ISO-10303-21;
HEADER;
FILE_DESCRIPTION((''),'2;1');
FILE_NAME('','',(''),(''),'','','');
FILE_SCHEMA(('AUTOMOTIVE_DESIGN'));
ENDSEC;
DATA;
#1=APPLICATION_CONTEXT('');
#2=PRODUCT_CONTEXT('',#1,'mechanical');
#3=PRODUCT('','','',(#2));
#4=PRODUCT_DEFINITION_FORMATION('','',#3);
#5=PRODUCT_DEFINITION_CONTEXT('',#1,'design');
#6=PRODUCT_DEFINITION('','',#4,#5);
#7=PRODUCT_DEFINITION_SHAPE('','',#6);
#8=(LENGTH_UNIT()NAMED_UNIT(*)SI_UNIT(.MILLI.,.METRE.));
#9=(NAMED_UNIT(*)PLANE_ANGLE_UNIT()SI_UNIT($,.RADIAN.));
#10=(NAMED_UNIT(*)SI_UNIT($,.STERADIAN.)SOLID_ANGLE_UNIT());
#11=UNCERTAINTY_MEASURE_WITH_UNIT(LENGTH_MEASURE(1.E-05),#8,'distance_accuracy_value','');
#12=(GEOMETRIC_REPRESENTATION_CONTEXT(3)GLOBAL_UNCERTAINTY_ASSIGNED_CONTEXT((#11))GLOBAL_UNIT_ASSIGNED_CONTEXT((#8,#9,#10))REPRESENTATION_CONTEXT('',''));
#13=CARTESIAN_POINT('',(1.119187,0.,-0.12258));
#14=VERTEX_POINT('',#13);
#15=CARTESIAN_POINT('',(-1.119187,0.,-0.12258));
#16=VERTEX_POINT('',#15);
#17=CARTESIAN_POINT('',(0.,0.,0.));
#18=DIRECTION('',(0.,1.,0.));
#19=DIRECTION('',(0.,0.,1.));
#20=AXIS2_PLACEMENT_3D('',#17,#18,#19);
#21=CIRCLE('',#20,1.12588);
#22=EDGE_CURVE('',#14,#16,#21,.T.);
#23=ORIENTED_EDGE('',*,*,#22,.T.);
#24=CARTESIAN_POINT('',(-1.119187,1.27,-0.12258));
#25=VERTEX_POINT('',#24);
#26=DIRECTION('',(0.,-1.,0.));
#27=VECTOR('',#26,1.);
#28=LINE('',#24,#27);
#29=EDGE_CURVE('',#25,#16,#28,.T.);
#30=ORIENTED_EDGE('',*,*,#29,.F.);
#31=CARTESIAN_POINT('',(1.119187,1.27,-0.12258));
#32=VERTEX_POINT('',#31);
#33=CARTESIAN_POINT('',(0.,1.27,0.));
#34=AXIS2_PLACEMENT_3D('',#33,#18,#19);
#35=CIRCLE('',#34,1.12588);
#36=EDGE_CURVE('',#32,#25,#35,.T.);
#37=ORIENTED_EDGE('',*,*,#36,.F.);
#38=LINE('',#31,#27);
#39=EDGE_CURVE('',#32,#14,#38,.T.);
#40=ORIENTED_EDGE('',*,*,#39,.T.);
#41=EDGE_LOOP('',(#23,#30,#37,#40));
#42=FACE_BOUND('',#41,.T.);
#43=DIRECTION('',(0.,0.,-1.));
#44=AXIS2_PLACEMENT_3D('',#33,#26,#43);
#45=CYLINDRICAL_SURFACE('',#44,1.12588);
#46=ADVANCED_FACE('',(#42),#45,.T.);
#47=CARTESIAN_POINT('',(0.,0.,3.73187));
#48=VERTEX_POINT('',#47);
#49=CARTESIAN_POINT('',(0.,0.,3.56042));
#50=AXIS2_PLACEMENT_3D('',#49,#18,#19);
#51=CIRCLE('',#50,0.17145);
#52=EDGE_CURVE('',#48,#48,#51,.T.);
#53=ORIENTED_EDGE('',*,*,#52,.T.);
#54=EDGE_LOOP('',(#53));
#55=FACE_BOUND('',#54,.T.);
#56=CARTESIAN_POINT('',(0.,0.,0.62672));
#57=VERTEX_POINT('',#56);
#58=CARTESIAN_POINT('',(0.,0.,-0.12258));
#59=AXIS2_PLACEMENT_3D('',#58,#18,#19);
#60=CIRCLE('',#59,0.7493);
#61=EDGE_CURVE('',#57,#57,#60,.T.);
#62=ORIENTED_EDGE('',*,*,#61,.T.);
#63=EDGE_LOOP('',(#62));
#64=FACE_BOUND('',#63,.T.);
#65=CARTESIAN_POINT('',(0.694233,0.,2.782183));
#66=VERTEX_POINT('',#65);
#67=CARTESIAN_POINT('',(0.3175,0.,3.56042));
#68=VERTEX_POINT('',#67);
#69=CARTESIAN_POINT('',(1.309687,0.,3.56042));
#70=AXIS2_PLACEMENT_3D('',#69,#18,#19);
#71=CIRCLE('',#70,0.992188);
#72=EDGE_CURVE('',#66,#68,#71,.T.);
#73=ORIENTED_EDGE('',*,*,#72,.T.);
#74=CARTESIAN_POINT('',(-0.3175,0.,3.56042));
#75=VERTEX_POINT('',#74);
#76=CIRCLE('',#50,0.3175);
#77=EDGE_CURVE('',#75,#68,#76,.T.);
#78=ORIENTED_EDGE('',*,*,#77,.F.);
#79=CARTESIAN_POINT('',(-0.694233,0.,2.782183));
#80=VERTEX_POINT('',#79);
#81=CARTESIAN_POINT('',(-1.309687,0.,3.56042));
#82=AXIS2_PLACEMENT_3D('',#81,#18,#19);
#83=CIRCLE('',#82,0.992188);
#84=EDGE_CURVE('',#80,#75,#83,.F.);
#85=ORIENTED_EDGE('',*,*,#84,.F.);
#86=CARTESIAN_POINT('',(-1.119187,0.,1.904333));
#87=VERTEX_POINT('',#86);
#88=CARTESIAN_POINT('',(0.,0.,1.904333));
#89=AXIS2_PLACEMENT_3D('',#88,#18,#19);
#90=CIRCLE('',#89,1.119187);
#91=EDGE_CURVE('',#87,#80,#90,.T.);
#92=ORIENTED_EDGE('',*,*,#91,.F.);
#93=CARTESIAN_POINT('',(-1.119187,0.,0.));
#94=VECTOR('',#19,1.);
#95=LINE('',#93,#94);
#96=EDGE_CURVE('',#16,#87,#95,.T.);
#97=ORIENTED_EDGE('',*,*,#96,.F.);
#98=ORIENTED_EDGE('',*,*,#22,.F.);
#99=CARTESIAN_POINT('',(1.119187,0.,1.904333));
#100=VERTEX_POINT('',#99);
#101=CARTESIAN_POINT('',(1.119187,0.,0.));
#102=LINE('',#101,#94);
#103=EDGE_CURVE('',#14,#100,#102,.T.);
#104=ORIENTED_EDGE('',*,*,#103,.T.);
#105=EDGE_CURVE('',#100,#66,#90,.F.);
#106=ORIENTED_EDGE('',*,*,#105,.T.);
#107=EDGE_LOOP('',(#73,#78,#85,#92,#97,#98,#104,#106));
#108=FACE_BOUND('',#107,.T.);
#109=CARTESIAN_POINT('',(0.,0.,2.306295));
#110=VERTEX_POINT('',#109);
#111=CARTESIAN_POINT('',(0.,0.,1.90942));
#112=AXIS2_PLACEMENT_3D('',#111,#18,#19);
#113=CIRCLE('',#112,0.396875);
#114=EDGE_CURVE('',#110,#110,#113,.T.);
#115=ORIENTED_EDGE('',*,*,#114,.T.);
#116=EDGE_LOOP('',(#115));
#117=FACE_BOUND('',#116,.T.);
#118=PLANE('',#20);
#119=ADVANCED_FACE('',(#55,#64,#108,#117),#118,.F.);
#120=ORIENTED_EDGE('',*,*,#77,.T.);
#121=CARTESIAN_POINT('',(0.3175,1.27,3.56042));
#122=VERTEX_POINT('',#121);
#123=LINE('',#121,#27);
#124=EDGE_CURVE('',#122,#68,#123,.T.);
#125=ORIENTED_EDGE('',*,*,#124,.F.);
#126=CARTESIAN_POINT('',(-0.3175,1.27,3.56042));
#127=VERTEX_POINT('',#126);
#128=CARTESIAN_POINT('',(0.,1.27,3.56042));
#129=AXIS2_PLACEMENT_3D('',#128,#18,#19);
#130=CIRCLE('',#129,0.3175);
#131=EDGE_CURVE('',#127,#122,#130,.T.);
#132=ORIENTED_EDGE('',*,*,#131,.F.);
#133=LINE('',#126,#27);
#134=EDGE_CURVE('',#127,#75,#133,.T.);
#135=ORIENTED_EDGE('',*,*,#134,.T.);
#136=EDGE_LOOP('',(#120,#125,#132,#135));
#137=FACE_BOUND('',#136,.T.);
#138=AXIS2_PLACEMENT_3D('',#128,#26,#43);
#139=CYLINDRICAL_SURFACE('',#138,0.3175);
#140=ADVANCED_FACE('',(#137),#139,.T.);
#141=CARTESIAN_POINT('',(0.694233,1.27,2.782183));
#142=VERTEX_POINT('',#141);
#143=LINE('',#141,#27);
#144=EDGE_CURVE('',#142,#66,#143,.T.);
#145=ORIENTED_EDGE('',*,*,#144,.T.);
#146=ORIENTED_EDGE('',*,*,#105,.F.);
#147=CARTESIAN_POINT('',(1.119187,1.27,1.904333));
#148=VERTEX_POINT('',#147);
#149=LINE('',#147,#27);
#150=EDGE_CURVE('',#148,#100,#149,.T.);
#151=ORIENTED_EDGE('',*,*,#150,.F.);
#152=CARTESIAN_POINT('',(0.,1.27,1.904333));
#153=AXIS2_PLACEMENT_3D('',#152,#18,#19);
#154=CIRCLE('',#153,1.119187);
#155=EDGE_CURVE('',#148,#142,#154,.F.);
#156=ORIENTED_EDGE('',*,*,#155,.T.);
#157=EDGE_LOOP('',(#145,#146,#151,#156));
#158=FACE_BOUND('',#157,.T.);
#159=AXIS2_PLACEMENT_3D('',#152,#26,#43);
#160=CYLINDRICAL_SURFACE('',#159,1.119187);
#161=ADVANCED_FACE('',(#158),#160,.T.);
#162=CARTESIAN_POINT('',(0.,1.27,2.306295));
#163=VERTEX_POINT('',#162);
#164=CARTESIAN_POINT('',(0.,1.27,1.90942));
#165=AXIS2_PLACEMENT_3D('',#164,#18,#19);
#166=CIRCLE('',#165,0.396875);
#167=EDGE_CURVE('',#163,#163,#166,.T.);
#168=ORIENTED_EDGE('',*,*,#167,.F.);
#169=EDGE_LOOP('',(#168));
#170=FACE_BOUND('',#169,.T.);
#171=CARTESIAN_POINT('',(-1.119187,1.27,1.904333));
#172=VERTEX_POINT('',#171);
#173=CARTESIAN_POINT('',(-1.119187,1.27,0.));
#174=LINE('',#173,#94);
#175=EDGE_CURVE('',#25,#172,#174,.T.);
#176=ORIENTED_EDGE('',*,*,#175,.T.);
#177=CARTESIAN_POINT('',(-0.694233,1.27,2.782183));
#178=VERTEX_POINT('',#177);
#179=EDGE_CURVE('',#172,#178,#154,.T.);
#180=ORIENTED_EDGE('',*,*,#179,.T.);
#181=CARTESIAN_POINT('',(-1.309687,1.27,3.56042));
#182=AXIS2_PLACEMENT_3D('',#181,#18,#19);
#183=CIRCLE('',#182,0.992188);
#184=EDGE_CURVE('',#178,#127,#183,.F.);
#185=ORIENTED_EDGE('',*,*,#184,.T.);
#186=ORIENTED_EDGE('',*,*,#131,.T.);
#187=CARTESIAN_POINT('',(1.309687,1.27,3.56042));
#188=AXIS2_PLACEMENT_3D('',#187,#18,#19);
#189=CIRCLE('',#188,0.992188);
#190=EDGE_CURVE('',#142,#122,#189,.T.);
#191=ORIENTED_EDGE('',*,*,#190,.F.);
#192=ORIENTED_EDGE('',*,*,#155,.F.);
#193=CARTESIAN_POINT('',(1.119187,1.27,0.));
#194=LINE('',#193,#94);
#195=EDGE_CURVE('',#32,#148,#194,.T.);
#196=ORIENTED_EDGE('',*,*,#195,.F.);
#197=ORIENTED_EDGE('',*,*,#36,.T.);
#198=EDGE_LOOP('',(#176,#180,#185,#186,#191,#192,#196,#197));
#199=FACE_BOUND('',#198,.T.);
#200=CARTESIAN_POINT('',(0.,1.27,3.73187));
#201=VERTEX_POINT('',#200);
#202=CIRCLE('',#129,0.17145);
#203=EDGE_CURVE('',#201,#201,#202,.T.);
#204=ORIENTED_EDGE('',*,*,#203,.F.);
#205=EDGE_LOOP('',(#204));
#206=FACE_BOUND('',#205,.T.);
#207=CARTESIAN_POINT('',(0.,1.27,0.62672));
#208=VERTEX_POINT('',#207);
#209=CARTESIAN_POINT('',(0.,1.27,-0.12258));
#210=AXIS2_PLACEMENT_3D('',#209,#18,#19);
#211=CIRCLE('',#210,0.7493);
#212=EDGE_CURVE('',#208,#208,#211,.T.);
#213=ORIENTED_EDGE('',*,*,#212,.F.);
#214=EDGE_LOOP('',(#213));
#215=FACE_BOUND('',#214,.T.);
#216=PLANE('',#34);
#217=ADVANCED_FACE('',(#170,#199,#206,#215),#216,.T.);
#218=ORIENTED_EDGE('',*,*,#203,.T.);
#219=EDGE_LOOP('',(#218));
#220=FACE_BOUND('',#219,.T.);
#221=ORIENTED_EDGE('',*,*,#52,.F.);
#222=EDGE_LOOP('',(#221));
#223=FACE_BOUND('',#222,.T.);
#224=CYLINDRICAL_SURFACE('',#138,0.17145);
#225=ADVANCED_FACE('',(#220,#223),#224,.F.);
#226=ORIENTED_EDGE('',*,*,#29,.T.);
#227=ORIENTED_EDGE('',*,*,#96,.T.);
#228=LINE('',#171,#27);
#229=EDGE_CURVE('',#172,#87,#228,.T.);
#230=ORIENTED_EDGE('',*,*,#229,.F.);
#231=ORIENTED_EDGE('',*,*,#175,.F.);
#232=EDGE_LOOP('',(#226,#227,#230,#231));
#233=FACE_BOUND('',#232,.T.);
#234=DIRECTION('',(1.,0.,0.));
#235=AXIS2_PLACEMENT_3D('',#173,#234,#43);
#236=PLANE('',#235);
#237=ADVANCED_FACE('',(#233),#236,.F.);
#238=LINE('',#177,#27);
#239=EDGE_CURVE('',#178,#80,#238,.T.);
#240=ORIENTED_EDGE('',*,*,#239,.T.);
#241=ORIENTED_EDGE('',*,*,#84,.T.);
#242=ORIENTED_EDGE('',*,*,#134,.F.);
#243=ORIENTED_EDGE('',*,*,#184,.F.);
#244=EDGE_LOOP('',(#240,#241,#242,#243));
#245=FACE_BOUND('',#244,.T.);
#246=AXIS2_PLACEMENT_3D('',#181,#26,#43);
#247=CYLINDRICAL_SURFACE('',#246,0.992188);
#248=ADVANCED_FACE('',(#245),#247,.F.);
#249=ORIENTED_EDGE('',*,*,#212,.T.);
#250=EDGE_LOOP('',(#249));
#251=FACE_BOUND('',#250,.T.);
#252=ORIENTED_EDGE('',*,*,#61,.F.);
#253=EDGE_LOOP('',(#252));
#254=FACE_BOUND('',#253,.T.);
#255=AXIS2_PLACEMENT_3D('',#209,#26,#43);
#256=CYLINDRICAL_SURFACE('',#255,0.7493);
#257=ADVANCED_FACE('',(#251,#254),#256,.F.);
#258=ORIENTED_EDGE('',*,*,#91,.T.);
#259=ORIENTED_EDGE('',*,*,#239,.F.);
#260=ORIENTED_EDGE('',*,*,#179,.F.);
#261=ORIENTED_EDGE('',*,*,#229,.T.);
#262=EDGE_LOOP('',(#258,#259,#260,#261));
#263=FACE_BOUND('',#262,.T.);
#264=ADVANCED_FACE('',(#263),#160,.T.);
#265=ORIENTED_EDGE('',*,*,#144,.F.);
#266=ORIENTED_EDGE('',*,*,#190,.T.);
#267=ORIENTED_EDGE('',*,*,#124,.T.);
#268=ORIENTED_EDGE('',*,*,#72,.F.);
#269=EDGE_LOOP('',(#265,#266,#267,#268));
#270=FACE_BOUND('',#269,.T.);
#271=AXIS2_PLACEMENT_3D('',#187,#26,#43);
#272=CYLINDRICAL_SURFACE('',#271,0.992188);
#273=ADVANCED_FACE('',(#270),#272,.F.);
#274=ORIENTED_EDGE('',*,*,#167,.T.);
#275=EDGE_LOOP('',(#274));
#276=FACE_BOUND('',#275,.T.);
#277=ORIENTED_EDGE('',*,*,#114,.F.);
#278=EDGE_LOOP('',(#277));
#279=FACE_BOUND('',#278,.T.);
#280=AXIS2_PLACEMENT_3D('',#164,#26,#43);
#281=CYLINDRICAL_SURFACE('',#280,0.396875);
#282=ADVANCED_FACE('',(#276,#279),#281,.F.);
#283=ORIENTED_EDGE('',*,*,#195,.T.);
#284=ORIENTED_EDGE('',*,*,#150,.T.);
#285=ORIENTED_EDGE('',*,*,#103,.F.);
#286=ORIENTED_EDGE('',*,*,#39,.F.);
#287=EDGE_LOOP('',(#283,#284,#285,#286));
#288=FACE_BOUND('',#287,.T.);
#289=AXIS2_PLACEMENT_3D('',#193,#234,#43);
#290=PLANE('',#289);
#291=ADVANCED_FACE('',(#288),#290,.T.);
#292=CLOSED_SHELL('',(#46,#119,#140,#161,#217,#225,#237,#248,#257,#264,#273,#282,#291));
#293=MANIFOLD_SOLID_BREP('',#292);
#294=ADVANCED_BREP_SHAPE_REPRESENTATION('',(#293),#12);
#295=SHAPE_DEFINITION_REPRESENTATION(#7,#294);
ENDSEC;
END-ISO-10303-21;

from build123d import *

# Parameters (mm, degrees)
SKETCH1_R           = 0.396875
SKETCH1_R_2         = 0.7493
SKETCH1_R_3         = 0.3175
SKETCH1_R_4         = 0.17145
BOSS_EXTRUDE1_DEPTH = 1.27


with BuildPart() as part:
    # Sketch1 → Boss-Extrude1 (new body)
    # profile 1 of 2: a face of its own
    with BuildSketch(Plane(origin=(0, 0, 0), x_dir=(1, 0, 0), z_dir=(0, 1, 0))):
        with BuildLine():
            ThreePointArc((1.1191875, 0.12258037), (0, 1.12588037), (-1.1191875, 0.12258037))
            Line((-1.1191875, 0.12258037), (-1.1191875, -1.904332965))
            ThreePointArc((-1.1191875, -1.904332965), (-1.007362245, -2.391982396), (-0.694232848, -2.782183415))
            ThreePointArc((-0.694232848, -2.782183415), (-0.416635864, -3.128106305), (-0.3175, -3.56041963))
            ThreePointArc((-0.3175, -3.56041963), (0, -3.24291963), (0.3175, -3.56041963))
            ThreePointArc((0.3175, -3.56041963), (0.416635864, -3.128106305), (0.694232848, -2.782183415))
            ThreePointArc((0.694232848, -2.782183415), (1.007362245, -2.391982396), (1.1191875, -1.904332965))
            Line((1.1191875, -1.904332965), (1.1191875, 0.12258037))
        make_face()
        with Locations(Location((0, -1.90941963, 0), (0, 0, 270))):
            Circle(SKETCH1_R, mode=Mode.SUBTRACT)
        with Locations(Location((0, 0.12258037, 0), (0, 0, 270))):
            Circle(SKETCH1_R_2, mode=Mode.SUBTRACT)
    # profile 2 of 2: a face of its own
    with BuildSketch(Plane(origin=(0, 0, 0), x_dir=(1, 0, 0), z_dir=(0, 1, 0))):
        with Locations((0, -3.56041963)):
            Circle(SKETCH1_R_3)
        with Locations(Location((0, -3.56041963, 0), (0, 0, 270))):
            Circle(SKETCH1_R_4, mode=Mode.SUBTRACT)
    extrude(amount=BOSS_EXTRUDE1_DEPTH)


solid = part.part
